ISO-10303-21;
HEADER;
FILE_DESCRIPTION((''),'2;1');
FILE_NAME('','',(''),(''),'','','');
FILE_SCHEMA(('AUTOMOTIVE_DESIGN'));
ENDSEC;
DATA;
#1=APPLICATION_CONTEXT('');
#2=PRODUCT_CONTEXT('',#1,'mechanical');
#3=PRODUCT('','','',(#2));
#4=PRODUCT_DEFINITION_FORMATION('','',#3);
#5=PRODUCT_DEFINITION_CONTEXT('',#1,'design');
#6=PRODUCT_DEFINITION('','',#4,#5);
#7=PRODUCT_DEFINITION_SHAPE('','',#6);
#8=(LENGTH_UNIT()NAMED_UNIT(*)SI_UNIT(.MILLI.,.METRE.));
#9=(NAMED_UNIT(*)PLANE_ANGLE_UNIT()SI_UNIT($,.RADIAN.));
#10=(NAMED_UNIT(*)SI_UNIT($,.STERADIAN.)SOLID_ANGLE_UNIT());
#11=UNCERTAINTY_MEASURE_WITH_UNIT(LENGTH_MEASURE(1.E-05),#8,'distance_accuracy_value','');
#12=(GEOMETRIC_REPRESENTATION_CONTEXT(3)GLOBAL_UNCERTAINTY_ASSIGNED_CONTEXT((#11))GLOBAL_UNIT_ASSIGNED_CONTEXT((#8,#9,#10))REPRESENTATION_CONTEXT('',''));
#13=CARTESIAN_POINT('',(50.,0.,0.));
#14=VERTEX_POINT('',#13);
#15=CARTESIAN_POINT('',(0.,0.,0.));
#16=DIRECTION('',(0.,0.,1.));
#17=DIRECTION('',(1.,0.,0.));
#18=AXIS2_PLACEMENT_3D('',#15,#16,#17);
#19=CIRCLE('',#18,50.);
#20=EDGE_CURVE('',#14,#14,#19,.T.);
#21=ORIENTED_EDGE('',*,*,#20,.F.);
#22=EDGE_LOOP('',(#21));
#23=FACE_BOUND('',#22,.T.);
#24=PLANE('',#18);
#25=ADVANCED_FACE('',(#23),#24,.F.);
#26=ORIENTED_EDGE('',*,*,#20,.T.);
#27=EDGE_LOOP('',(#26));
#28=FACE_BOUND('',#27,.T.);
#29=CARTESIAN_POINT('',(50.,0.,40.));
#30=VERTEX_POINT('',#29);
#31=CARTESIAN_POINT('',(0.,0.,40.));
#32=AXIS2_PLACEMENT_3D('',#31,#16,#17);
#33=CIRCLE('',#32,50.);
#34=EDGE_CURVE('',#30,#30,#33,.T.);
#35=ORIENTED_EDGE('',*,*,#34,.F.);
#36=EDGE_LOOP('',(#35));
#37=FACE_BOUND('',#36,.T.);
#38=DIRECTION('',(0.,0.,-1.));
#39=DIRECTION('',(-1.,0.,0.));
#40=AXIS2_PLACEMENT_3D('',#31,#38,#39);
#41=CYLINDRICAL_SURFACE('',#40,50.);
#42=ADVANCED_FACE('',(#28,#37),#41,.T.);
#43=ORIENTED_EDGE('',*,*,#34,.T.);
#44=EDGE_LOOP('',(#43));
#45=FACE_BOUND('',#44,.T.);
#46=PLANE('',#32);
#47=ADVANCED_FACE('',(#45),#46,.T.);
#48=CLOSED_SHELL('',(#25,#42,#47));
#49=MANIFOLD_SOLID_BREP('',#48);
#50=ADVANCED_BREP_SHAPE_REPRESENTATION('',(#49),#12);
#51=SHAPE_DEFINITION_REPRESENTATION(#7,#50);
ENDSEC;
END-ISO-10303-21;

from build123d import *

# Parameters (mm, degrees)
SKETCH_1_R      = 50
EXTRUDE_1_DEPTH = 40


with BuildPart() as part:
    # 草图1 → 凸台-拉伸1 (new body)
    with BuildSketch(Plane.XY):
        Circle(SKETCH_1_R)
    extrude(amount=EXTRUDE_1_DEPTH)


solid = part.part
